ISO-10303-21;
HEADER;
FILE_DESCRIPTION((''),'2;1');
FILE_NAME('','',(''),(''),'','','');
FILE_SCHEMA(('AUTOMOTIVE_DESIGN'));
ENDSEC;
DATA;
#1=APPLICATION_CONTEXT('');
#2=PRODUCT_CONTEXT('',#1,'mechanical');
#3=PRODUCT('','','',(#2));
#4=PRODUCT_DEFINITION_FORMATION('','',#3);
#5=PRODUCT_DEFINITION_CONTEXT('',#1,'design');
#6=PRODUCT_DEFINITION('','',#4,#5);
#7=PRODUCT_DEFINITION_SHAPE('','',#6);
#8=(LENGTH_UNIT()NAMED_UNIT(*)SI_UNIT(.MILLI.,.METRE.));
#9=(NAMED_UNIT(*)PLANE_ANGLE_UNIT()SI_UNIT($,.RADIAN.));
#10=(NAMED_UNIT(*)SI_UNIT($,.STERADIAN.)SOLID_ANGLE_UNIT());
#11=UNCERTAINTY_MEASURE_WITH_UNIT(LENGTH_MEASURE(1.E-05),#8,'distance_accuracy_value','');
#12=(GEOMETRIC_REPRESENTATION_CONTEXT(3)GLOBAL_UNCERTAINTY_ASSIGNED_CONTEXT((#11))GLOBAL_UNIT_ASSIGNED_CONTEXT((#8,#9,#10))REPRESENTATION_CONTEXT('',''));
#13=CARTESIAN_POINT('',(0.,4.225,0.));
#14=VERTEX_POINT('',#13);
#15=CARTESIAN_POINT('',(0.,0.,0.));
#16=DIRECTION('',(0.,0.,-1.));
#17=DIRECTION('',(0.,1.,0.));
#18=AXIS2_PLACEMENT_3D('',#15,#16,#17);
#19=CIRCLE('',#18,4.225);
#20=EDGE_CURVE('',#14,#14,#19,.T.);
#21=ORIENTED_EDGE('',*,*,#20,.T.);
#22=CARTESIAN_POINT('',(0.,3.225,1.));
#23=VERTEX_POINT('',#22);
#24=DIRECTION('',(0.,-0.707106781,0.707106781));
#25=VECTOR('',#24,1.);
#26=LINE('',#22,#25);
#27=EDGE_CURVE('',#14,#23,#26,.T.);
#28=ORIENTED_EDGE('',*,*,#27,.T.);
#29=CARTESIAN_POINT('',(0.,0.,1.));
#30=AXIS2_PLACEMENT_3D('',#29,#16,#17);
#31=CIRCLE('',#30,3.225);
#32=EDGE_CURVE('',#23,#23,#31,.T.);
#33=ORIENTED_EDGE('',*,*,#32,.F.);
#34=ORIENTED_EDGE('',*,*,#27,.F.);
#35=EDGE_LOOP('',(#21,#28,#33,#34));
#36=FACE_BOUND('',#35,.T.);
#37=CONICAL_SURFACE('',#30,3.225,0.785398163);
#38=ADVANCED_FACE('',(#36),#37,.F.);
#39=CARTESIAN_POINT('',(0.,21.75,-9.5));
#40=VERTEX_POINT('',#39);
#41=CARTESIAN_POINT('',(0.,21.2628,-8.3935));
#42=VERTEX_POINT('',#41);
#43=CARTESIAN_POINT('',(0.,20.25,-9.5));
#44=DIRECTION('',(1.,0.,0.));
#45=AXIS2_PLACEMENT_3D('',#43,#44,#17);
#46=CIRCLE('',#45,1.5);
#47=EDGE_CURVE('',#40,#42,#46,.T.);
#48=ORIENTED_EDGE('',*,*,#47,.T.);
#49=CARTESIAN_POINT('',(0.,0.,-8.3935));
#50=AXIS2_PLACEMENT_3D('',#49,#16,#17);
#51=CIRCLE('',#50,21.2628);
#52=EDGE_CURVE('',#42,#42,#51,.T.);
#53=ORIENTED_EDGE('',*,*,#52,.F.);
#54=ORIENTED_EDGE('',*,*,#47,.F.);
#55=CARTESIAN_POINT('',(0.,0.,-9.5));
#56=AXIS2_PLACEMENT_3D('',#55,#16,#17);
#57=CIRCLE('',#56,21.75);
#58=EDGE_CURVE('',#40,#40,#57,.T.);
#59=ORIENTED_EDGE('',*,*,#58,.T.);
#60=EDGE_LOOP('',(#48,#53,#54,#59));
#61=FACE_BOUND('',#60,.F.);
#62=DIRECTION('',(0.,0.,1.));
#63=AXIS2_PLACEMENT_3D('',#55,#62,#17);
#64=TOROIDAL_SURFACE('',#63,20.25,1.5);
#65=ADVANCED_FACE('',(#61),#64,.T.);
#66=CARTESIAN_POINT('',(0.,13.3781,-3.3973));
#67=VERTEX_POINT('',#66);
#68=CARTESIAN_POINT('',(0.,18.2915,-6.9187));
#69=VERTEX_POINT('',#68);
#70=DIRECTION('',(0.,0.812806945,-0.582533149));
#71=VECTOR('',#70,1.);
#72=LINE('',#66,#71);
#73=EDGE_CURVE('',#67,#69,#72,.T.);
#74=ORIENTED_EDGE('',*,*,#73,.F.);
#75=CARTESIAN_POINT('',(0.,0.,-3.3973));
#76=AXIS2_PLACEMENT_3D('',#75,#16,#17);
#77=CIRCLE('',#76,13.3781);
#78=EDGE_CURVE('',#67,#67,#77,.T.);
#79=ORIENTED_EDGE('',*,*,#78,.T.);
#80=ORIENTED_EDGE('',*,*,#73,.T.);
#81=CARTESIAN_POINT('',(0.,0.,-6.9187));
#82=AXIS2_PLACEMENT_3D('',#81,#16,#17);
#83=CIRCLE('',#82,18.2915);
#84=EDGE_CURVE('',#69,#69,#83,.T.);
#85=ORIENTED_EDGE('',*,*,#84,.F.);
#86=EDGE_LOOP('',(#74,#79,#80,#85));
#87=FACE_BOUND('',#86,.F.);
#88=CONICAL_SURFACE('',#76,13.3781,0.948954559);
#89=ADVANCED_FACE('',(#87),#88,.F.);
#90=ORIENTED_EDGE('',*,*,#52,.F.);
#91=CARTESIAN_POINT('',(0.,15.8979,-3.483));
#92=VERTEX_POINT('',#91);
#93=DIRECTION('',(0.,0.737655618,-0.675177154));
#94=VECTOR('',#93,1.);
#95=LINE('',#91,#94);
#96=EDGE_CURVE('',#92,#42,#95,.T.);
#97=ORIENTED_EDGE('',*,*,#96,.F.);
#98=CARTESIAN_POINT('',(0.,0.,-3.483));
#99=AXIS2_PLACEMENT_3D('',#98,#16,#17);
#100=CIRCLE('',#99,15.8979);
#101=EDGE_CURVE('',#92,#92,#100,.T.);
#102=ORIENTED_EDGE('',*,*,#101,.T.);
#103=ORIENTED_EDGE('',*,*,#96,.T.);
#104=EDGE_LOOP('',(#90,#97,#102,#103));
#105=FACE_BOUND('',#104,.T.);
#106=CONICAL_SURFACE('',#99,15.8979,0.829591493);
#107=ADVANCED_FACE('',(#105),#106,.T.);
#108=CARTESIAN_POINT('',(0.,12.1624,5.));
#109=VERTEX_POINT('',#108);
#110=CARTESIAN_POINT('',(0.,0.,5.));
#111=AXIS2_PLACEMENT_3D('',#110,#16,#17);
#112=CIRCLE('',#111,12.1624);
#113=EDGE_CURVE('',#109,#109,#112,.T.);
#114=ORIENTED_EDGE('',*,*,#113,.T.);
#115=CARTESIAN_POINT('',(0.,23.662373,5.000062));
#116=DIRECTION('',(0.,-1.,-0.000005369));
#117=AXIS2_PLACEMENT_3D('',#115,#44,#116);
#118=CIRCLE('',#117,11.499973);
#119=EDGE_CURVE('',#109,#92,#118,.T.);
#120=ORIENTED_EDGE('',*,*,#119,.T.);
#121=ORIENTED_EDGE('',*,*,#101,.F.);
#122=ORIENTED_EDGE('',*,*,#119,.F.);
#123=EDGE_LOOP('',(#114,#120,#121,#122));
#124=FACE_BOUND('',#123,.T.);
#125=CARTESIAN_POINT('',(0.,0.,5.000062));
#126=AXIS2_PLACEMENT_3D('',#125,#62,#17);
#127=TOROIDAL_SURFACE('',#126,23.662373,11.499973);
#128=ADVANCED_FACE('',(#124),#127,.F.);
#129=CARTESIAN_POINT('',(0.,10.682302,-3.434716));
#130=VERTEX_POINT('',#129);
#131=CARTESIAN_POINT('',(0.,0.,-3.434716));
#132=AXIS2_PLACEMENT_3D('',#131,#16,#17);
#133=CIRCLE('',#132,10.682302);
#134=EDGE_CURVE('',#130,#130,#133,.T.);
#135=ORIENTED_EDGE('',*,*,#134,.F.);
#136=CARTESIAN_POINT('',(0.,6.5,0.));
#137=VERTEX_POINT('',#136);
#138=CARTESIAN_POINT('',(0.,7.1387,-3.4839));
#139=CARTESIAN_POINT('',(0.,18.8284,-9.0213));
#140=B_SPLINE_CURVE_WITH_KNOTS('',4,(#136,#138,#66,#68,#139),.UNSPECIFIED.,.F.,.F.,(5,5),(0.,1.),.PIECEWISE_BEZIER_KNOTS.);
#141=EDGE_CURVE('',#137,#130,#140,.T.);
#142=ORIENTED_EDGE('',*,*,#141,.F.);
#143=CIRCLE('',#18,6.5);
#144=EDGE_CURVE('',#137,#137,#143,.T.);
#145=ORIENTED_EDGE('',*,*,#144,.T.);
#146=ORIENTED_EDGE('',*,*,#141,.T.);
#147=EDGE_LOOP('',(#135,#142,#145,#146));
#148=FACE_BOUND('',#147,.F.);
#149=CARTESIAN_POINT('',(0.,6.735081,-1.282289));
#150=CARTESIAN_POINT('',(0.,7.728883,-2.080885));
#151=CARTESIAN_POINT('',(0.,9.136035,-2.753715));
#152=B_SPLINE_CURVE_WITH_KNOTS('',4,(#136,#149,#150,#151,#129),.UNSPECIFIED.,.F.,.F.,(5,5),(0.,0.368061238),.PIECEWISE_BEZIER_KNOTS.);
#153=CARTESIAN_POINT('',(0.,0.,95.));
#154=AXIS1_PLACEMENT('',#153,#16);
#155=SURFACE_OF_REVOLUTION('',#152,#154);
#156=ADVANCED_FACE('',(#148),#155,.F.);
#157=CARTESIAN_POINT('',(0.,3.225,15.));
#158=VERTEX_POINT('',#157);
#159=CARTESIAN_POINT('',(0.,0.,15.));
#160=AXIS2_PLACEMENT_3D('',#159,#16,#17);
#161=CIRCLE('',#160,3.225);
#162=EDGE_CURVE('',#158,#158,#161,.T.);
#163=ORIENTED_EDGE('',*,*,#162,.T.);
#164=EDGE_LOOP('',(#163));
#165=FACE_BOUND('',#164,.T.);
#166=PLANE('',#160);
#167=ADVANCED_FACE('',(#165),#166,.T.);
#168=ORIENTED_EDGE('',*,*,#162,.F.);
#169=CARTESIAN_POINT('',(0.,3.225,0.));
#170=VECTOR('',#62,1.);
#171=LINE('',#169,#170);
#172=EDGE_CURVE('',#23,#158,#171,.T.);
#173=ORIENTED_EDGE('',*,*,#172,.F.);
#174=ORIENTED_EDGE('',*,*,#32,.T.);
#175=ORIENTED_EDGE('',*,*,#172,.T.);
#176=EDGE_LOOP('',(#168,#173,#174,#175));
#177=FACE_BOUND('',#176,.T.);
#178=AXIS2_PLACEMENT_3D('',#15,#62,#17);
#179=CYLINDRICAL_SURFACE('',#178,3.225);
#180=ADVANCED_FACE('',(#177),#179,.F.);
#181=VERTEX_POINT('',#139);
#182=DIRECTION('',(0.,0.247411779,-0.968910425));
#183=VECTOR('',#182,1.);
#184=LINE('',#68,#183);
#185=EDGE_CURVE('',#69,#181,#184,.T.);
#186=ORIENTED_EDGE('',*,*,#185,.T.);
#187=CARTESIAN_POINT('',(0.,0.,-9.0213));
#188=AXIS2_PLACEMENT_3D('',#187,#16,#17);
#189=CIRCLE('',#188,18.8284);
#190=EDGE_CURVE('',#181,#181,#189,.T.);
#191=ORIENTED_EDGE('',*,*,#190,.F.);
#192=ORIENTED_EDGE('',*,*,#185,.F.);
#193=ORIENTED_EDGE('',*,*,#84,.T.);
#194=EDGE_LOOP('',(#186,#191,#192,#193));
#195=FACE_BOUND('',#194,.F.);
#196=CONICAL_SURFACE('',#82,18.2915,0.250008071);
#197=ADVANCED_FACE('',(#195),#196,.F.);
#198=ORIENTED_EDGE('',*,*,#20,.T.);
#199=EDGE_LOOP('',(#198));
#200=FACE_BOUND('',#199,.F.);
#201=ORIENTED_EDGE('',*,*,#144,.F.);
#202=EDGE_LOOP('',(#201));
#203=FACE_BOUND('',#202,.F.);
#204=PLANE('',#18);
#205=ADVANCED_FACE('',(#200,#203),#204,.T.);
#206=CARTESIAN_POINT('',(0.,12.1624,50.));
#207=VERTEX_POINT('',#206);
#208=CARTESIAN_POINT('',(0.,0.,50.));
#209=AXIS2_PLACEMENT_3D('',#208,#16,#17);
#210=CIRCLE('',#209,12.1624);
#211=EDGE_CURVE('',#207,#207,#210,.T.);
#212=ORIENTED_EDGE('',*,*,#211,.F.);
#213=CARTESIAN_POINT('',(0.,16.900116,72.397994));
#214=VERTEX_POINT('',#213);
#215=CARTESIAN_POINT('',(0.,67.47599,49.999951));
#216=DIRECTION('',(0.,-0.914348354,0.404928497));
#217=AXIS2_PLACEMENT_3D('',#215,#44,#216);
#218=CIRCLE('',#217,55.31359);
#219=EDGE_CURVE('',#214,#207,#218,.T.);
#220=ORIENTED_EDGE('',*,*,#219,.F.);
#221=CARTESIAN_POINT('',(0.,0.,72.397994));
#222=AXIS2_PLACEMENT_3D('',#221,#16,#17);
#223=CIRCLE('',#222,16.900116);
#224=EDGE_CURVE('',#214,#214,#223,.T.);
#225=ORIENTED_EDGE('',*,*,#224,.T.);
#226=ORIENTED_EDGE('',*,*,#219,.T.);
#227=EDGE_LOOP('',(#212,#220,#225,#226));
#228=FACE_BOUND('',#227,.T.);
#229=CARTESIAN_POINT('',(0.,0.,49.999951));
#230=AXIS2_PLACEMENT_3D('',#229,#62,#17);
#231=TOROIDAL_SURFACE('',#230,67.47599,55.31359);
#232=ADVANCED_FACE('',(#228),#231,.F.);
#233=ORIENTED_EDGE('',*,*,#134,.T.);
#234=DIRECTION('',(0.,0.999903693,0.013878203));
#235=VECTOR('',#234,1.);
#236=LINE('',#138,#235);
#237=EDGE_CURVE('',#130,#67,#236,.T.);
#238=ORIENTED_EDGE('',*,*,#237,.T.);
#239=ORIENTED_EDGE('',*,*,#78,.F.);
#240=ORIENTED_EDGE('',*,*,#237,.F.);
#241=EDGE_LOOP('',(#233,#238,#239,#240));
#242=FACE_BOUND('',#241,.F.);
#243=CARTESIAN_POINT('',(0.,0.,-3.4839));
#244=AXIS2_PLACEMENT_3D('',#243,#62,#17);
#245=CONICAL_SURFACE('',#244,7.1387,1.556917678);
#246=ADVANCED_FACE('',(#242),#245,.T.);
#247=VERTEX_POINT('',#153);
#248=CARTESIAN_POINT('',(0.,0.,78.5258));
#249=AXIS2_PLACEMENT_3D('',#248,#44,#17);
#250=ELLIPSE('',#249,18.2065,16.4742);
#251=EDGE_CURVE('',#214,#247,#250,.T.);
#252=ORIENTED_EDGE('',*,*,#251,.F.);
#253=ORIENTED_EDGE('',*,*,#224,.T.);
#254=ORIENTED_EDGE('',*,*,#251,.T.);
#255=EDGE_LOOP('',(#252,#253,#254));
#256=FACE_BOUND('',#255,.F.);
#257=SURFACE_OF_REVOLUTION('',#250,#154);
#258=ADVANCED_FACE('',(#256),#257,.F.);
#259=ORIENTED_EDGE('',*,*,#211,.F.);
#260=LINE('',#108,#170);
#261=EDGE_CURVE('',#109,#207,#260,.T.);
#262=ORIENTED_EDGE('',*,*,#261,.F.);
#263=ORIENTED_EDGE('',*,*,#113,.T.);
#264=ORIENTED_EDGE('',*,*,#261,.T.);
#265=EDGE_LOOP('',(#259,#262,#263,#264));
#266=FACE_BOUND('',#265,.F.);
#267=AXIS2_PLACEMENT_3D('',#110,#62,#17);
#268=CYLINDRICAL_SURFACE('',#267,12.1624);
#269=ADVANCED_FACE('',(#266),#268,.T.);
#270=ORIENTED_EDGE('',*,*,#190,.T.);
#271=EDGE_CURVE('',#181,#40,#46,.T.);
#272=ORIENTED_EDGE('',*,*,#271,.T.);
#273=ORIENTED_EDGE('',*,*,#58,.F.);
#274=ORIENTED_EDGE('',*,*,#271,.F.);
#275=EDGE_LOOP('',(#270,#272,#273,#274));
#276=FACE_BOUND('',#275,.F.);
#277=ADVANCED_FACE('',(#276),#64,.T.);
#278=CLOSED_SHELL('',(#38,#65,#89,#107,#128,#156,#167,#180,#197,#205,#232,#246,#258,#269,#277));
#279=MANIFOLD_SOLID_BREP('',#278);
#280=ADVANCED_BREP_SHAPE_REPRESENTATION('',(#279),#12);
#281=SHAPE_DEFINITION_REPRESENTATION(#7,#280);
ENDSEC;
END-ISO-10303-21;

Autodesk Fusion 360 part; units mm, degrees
sketch "Schizzo1" plane through (0, 0, 0) normal (1, 0, 0) x (0, 1, 0)
  spline S0 degree 4 poles (6.5, 0) (7.1387, -3.4839) (13.3781, -3.3973) (18.2915, -6.9187) (18.8284, -9.0213) knots 0 0 0 0 0 1 1 1 1 1
  line L0 (6.5, 0) -> (7.1387, -3.4839)
  line L1 (7.1387, -3.4839) -> (13.3781, -3.3973)
  line L2 (13.3781, -3.3973) -> (18.2915, -6.9187)
  line L3 (18.2915, -6.9187) -> (18.8284, -9.0213)
  line L4 (3.225, 0) -> (3.225, 15)
  line L5 (15.8979, -3.483) -> (21.2628, -8.3935)
  line L6 (3.225, 0) -> (6.5, 0)
  line L7 (20.25, -9.5) -> (21.75, -9.5) construction
  arc A0 (12.1624, 5) -> (15.8979, -3.483) centre (23.6624, 5) ccw
  line L8 (0, 0) -> (3.225, 0) construction
  line L9 (0, 0) -> (0, 15) construction
  line L10 (3.225, 15) -> (0, 15)
  line L11 (0, 95) -> (0, 15)
  line L12 (20.25, -11) -> (20.25, -9.5) construction
  circle A1 centre (20.25, -9.5) radius 1.5
  line L13 (0, 95) -> (-15, 95) construction
  line L14 (12.1624, 5) -> (12.1624, 50)
  ellipse E0 centre (0, 78.5258) end of major axis (18.2065, 78.5258) minor radius 16.4742 (16.9001, 72.398) -> (0, 95) ccw
  arc A2 (16.9001, 72.398) -> (12.1624, 50) centre (67.476, 50) ccw
  line L15 (0, 81) -> (18, 81) construction
  point P0 (11, 1)
  point P1 (20.25, -11)
  dimension "d1" = 3.225
  dimension "d2" = 15
  dimension "d3" = 6.5
  dimension "d5" = 11
  dimension "d6" = 3
  dimension "d7" = 21.75
  dimension "d8" = 11
  dimension "d9" = 1
  dimension "d17" = 6.24
  dimension "d18" = 3.542
  dimension "d19" = 6.045
  dimension "d20" = 2.17
  dimension "d24" = 11.5
  dimension "d38" = 90
  dimension "d41" = 4
  dimension "d45" = 18
  dimension "d46" = 14
  dimension "d47" = 45
revolve "Rivoluzione1" add sketch "Schizzo1" angle 360 about axis through (0, 0, 95) along (0, 0, -1) contours S0 L1 L2 L3 L4 L5 L6 A0 L10 L11 A1 L14 E0 A2 | A1
chamfer "Smusso1" distance 1 angle 45 1 edges at (-3.0068, 1.1662, 0)
equation "d1 = larghezza_incastro_joystick / 2"
equation "d3 = ( 13 / 2 ) * 1 mm"
equation "d7 = ( 43.5 / 2 ) * 1 mm"
equation "d8 = ( 22 / 2 ) * 1 mm"
equation "altezza_joystick = 90 mm"
equation "larghezza_incastro_joystick = 6.45 mm"
equation "d38 = altezza_joystick"
